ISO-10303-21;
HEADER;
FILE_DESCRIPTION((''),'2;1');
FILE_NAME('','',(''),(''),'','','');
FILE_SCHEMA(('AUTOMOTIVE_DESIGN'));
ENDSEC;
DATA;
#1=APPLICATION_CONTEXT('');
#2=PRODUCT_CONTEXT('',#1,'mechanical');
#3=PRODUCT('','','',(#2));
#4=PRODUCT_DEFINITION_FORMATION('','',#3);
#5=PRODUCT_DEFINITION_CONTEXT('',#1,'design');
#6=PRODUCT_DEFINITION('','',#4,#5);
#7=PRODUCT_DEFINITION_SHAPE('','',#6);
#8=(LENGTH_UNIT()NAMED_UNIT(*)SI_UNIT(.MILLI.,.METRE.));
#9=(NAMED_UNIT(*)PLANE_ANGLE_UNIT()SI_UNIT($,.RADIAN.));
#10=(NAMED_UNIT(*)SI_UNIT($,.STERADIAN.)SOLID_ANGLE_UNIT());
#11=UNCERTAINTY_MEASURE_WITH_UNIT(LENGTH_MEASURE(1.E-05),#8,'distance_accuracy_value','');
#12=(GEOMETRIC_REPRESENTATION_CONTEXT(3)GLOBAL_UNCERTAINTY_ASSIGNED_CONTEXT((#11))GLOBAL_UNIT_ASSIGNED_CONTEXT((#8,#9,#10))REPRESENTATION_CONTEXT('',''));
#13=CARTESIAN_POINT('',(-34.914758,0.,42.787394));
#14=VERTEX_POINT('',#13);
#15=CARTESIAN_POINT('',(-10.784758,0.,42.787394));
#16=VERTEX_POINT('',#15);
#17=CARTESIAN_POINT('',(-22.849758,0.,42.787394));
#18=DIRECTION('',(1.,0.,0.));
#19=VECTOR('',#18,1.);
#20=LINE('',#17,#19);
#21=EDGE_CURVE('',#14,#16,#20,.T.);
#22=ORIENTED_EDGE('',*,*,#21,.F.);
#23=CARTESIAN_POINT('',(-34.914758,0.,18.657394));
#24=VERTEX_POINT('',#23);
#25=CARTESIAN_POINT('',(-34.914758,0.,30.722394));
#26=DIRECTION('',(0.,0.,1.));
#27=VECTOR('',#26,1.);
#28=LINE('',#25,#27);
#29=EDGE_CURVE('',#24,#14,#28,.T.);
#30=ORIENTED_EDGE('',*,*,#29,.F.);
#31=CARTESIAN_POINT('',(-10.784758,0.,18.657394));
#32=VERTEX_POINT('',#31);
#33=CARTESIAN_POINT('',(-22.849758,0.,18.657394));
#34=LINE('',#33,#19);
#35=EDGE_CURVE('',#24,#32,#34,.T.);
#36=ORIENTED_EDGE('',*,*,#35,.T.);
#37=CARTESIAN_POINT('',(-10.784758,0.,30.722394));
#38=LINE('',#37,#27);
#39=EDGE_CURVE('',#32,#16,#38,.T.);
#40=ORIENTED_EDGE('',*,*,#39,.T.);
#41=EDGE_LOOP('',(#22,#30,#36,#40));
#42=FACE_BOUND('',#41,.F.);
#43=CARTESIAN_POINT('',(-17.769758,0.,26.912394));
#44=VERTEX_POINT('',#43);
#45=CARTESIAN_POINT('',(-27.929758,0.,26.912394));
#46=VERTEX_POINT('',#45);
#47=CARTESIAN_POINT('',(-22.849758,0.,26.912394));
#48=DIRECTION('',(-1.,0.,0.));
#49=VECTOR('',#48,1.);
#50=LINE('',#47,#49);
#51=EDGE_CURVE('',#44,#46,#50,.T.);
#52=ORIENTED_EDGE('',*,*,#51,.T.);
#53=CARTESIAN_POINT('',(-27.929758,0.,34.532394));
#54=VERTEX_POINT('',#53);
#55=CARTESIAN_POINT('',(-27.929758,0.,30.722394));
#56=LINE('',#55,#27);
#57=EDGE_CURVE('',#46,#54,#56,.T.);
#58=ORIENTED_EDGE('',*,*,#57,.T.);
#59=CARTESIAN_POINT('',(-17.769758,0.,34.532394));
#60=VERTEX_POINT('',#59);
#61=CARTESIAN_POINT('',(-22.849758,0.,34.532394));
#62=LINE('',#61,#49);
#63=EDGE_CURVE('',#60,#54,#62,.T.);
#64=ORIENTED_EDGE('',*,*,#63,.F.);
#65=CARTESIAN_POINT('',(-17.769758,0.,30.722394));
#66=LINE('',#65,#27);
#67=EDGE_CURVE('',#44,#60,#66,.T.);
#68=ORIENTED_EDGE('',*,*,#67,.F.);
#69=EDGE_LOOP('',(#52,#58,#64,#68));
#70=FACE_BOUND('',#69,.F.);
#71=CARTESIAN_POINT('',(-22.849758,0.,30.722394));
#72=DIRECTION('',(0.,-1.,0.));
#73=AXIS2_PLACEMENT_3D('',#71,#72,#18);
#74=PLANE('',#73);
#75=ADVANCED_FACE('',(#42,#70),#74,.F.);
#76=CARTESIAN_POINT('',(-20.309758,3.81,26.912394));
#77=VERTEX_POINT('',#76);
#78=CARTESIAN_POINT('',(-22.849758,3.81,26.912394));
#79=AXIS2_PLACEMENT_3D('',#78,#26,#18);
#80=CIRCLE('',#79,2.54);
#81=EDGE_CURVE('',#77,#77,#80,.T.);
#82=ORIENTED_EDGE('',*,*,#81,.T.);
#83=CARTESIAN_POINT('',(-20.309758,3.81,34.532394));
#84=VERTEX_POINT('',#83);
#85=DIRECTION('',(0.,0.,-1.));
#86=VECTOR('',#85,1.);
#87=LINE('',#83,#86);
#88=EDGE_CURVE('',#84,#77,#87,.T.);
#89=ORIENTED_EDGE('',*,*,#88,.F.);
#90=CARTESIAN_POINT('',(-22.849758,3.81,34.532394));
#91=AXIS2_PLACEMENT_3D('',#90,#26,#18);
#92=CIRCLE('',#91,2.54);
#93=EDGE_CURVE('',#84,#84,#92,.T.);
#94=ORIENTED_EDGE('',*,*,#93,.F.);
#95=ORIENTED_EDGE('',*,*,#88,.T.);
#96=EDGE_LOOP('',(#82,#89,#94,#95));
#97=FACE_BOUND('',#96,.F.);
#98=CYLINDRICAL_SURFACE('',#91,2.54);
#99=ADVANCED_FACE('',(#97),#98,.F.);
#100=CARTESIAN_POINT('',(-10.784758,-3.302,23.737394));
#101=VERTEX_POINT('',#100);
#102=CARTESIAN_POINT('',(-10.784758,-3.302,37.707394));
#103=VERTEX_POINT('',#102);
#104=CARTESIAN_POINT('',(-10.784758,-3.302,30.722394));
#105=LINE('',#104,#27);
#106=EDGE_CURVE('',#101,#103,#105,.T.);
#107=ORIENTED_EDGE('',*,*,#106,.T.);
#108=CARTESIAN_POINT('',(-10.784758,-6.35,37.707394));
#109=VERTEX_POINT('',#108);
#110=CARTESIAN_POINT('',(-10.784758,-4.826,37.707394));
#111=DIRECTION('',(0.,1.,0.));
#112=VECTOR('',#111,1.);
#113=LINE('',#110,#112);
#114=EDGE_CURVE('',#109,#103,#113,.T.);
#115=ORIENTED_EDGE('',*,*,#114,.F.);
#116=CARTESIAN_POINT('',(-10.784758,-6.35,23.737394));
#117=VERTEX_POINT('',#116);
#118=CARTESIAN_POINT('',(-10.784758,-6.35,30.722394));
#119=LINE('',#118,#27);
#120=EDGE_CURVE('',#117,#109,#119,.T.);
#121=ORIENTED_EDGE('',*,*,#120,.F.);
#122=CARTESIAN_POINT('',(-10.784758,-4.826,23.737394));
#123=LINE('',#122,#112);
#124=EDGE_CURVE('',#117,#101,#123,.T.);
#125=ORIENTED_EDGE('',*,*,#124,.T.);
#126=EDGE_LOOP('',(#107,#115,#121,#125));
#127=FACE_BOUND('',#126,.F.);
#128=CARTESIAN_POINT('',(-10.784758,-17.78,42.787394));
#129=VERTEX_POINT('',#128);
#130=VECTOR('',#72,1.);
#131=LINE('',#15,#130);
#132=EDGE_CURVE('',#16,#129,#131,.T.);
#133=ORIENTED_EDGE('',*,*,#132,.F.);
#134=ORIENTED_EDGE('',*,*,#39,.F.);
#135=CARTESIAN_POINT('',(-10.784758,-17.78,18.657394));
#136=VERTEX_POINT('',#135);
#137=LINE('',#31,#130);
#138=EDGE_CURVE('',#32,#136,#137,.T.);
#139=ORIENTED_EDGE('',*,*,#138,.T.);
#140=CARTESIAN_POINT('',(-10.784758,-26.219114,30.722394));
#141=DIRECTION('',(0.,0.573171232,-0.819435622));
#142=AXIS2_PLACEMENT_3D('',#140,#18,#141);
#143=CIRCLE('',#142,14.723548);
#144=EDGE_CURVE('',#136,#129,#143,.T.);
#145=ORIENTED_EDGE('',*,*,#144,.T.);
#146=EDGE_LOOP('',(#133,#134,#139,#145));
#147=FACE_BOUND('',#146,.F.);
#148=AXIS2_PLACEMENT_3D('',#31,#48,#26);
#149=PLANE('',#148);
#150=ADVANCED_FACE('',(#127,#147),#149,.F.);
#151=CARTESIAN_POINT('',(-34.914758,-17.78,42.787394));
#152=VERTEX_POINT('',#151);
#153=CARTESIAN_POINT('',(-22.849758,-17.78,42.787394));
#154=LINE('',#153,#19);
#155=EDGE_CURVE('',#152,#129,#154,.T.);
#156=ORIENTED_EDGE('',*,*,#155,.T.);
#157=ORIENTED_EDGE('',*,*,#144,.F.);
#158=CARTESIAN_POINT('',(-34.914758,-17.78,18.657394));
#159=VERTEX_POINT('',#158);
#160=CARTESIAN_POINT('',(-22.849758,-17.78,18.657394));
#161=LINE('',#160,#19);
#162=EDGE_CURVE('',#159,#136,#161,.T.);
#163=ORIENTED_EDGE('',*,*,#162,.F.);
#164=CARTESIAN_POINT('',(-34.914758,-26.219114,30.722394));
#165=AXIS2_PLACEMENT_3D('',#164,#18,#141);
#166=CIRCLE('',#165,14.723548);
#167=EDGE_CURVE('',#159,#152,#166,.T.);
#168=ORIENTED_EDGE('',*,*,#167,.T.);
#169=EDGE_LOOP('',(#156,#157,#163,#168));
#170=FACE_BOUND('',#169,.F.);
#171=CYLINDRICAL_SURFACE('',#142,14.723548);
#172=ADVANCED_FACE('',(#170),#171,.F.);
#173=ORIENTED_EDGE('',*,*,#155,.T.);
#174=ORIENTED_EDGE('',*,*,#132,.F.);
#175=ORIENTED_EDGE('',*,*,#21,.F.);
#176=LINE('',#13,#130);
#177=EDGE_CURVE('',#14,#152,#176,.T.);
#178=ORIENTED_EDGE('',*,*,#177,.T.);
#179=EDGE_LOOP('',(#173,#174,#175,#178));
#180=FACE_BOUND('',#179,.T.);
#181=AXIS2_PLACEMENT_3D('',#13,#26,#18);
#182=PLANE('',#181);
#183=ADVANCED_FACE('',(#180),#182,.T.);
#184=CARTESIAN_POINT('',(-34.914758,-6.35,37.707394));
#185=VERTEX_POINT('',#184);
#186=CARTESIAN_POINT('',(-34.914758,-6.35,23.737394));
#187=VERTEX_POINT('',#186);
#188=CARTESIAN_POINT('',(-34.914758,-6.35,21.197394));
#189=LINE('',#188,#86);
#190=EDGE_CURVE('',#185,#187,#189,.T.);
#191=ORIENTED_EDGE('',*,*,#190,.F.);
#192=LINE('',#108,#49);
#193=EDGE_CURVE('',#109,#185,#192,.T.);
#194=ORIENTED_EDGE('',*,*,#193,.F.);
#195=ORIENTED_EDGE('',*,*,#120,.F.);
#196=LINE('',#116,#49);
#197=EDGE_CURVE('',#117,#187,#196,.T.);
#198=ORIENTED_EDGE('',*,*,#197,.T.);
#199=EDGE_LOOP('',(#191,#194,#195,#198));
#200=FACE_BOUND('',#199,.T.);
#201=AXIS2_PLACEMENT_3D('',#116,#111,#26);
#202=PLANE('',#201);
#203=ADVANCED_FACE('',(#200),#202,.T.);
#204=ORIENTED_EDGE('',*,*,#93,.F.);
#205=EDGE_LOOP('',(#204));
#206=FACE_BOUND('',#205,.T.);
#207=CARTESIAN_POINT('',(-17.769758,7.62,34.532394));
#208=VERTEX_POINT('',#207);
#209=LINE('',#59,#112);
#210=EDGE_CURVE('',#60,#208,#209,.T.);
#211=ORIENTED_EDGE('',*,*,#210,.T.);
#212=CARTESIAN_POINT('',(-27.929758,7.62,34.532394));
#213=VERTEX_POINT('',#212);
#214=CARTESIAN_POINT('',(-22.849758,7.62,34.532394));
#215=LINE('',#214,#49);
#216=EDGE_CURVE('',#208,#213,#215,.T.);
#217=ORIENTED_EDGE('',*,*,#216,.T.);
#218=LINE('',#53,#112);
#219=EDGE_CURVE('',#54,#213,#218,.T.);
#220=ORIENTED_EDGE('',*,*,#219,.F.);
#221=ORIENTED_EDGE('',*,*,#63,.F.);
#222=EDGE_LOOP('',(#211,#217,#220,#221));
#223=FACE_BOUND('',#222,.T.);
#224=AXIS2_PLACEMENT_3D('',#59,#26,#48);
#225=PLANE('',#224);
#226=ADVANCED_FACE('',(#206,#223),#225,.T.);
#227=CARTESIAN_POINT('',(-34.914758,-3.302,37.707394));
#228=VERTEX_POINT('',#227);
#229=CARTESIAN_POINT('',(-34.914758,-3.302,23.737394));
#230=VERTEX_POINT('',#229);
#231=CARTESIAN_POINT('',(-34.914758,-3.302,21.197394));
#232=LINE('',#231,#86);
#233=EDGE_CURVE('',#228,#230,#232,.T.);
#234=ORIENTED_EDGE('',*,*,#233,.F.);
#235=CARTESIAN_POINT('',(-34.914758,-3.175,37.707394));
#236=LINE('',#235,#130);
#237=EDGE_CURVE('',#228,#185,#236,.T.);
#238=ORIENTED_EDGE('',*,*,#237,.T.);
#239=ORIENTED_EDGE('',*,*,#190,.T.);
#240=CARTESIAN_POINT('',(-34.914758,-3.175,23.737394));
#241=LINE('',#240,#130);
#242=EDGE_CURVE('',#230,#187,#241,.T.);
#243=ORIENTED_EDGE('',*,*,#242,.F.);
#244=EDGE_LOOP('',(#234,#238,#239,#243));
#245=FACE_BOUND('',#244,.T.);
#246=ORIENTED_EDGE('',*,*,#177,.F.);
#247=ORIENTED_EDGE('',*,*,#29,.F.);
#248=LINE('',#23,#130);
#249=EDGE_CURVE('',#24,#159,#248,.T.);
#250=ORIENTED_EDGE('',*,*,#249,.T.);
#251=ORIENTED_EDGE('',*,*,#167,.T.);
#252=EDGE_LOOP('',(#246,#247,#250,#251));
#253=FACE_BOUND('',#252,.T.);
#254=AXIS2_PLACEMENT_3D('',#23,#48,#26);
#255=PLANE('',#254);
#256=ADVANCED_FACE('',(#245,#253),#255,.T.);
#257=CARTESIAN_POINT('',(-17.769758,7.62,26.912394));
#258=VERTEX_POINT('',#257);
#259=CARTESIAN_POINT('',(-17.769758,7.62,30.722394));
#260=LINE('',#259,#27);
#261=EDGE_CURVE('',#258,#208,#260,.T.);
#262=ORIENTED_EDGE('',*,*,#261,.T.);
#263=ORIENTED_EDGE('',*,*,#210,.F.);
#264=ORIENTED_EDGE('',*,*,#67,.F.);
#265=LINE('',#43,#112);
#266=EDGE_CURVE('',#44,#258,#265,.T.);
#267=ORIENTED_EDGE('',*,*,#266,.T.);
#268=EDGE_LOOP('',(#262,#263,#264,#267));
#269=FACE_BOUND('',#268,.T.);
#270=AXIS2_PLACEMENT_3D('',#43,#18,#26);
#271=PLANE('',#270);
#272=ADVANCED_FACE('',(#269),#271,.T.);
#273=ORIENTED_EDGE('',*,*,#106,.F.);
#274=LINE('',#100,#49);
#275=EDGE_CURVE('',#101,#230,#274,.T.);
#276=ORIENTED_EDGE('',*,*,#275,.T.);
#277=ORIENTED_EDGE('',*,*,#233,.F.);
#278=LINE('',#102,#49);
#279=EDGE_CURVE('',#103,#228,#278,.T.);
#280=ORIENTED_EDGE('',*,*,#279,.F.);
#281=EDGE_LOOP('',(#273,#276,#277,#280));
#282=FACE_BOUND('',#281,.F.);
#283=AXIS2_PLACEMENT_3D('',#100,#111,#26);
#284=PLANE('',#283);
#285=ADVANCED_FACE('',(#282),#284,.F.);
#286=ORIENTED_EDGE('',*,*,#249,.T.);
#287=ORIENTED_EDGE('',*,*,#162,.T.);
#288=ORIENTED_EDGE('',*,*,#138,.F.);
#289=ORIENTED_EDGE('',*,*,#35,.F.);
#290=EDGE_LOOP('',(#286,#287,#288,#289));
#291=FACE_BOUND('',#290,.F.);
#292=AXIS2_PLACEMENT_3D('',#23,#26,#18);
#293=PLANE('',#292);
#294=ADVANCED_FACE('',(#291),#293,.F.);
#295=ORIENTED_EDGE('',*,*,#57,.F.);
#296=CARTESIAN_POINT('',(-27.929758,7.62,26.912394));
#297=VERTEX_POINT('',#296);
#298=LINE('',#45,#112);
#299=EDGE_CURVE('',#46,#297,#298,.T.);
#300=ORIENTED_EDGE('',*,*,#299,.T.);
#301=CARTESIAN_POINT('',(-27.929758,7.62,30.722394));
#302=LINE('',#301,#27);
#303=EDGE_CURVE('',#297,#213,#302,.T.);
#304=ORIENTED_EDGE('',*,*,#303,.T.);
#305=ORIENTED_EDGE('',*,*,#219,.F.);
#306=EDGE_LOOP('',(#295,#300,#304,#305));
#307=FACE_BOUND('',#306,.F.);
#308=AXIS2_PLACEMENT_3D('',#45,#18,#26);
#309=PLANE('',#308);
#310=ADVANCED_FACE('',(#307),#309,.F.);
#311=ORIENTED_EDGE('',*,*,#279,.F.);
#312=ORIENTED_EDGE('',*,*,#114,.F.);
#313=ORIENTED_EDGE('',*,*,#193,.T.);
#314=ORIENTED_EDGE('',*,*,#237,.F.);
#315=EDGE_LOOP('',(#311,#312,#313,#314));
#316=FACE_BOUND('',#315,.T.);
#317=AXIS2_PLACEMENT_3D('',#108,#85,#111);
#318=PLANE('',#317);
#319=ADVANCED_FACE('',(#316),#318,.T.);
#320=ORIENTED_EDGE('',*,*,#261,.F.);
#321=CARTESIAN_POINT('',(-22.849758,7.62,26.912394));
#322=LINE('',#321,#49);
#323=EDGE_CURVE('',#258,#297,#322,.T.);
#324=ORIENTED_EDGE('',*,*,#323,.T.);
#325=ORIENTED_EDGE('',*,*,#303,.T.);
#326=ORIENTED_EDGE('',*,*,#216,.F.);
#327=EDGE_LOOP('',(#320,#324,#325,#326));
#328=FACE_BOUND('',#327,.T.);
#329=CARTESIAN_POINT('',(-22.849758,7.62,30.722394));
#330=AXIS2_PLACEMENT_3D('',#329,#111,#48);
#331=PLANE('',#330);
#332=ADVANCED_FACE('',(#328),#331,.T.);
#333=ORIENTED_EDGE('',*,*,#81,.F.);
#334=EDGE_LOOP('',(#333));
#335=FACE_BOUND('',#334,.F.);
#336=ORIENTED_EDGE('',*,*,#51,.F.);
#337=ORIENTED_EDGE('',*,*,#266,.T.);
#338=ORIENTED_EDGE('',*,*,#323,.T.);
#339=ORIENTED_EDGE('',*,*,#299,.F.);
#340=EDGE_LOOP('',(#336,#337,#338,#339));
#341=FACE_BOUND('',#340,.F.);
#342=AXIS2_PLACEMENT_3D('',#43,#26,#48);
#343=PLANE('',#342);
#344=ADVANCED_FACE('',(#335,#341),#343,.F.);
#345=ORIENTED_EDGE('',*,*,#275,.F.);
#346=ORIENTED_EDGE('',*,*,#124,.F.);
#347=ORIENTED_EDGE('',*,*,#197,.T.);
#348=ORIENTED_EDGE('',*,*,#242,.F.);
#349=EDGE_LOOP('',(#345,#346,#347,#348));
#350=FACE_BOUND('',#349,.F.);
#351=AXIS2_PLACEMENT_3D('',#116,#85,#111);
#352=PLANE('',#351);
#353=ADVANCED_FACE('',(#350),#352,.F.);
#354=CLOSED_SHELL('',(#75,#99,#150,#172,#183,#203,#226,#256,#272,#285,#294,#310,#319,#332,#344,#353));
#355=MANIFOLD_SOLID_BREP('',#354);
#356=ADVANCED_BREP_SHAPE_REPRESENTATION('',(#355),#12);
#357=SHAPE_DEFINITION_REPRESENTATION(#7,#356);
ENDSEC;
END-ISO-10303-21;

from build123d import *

# Parameters (mm, degrees)
F0_W     = 24.13
F0_H     = 24.13
F1_DEPTH = 17.78
F3_DEPTH = 24.131
F4_W     = 10.16
F4_H     = 7.62
F5_DEPTH = 7.62
F6_R     = 2.54
F7_DEPTH = 15.876
F8_W     = 3.048
F8_H     = 13.97
F9_DEPTH = 24.131


with BuildPart() as f1:
    # F0 (on Front) → F1 (new body)
    with BuildSketch(Plane.XZ):
        with Locations((-22.849758, 30.722394)):
            Rectangle(F0_W, F0_H)
    extrude(amount=F1_DEPTH)

    # F2 (on face) → F3 (cut, through all)
    with BuildSketch(Plane.YZ.offset(-10.784758)):
        with BuildLine():
            Line((-17.78, 42.787394), (-17.78, 18.657394))
            ThreePointArc((-17.78, 18.657394), (-11.495566, 30.722394), (-17.78, 42.787394))
        make_face()
    extrude(amount=-F3_DEPTH, mode=Mode.SUBTRACT)

    # F4 (on face) → F5 (join)
    with BuildSketch(Plane(origin=(0, 0, 0), x_dir=(-1, 0, 0), z_dir=(0, 1, 0))):
        with Locations((22.849758, 30.722394)):
            Rectangle(F4_W, F4_H)
    extrude(amount=F5_DEPTH)

    # F6 (on face) → F7 (cut, through all)
    with BuildSketch(Plane.XY.offset(34.532394)):
        with Locations((-22.849758, 3.81)):
            Circle(F6_R)
    extrude(amount=-F7_DEPTH, mode=Mode.SUBTRACT)

    # F8 (on face) → F9 (cut, through all)
    with BuildSketch(Plane.YZ.offset(-10.784758)):
        with Locations((-4.826, 30.722394)):
            Rectangle(F8_W, F8_H)
    extrude(amount=-F9_DEPTH, mode=Mode.SUBTRACT)


solid = f1.part
